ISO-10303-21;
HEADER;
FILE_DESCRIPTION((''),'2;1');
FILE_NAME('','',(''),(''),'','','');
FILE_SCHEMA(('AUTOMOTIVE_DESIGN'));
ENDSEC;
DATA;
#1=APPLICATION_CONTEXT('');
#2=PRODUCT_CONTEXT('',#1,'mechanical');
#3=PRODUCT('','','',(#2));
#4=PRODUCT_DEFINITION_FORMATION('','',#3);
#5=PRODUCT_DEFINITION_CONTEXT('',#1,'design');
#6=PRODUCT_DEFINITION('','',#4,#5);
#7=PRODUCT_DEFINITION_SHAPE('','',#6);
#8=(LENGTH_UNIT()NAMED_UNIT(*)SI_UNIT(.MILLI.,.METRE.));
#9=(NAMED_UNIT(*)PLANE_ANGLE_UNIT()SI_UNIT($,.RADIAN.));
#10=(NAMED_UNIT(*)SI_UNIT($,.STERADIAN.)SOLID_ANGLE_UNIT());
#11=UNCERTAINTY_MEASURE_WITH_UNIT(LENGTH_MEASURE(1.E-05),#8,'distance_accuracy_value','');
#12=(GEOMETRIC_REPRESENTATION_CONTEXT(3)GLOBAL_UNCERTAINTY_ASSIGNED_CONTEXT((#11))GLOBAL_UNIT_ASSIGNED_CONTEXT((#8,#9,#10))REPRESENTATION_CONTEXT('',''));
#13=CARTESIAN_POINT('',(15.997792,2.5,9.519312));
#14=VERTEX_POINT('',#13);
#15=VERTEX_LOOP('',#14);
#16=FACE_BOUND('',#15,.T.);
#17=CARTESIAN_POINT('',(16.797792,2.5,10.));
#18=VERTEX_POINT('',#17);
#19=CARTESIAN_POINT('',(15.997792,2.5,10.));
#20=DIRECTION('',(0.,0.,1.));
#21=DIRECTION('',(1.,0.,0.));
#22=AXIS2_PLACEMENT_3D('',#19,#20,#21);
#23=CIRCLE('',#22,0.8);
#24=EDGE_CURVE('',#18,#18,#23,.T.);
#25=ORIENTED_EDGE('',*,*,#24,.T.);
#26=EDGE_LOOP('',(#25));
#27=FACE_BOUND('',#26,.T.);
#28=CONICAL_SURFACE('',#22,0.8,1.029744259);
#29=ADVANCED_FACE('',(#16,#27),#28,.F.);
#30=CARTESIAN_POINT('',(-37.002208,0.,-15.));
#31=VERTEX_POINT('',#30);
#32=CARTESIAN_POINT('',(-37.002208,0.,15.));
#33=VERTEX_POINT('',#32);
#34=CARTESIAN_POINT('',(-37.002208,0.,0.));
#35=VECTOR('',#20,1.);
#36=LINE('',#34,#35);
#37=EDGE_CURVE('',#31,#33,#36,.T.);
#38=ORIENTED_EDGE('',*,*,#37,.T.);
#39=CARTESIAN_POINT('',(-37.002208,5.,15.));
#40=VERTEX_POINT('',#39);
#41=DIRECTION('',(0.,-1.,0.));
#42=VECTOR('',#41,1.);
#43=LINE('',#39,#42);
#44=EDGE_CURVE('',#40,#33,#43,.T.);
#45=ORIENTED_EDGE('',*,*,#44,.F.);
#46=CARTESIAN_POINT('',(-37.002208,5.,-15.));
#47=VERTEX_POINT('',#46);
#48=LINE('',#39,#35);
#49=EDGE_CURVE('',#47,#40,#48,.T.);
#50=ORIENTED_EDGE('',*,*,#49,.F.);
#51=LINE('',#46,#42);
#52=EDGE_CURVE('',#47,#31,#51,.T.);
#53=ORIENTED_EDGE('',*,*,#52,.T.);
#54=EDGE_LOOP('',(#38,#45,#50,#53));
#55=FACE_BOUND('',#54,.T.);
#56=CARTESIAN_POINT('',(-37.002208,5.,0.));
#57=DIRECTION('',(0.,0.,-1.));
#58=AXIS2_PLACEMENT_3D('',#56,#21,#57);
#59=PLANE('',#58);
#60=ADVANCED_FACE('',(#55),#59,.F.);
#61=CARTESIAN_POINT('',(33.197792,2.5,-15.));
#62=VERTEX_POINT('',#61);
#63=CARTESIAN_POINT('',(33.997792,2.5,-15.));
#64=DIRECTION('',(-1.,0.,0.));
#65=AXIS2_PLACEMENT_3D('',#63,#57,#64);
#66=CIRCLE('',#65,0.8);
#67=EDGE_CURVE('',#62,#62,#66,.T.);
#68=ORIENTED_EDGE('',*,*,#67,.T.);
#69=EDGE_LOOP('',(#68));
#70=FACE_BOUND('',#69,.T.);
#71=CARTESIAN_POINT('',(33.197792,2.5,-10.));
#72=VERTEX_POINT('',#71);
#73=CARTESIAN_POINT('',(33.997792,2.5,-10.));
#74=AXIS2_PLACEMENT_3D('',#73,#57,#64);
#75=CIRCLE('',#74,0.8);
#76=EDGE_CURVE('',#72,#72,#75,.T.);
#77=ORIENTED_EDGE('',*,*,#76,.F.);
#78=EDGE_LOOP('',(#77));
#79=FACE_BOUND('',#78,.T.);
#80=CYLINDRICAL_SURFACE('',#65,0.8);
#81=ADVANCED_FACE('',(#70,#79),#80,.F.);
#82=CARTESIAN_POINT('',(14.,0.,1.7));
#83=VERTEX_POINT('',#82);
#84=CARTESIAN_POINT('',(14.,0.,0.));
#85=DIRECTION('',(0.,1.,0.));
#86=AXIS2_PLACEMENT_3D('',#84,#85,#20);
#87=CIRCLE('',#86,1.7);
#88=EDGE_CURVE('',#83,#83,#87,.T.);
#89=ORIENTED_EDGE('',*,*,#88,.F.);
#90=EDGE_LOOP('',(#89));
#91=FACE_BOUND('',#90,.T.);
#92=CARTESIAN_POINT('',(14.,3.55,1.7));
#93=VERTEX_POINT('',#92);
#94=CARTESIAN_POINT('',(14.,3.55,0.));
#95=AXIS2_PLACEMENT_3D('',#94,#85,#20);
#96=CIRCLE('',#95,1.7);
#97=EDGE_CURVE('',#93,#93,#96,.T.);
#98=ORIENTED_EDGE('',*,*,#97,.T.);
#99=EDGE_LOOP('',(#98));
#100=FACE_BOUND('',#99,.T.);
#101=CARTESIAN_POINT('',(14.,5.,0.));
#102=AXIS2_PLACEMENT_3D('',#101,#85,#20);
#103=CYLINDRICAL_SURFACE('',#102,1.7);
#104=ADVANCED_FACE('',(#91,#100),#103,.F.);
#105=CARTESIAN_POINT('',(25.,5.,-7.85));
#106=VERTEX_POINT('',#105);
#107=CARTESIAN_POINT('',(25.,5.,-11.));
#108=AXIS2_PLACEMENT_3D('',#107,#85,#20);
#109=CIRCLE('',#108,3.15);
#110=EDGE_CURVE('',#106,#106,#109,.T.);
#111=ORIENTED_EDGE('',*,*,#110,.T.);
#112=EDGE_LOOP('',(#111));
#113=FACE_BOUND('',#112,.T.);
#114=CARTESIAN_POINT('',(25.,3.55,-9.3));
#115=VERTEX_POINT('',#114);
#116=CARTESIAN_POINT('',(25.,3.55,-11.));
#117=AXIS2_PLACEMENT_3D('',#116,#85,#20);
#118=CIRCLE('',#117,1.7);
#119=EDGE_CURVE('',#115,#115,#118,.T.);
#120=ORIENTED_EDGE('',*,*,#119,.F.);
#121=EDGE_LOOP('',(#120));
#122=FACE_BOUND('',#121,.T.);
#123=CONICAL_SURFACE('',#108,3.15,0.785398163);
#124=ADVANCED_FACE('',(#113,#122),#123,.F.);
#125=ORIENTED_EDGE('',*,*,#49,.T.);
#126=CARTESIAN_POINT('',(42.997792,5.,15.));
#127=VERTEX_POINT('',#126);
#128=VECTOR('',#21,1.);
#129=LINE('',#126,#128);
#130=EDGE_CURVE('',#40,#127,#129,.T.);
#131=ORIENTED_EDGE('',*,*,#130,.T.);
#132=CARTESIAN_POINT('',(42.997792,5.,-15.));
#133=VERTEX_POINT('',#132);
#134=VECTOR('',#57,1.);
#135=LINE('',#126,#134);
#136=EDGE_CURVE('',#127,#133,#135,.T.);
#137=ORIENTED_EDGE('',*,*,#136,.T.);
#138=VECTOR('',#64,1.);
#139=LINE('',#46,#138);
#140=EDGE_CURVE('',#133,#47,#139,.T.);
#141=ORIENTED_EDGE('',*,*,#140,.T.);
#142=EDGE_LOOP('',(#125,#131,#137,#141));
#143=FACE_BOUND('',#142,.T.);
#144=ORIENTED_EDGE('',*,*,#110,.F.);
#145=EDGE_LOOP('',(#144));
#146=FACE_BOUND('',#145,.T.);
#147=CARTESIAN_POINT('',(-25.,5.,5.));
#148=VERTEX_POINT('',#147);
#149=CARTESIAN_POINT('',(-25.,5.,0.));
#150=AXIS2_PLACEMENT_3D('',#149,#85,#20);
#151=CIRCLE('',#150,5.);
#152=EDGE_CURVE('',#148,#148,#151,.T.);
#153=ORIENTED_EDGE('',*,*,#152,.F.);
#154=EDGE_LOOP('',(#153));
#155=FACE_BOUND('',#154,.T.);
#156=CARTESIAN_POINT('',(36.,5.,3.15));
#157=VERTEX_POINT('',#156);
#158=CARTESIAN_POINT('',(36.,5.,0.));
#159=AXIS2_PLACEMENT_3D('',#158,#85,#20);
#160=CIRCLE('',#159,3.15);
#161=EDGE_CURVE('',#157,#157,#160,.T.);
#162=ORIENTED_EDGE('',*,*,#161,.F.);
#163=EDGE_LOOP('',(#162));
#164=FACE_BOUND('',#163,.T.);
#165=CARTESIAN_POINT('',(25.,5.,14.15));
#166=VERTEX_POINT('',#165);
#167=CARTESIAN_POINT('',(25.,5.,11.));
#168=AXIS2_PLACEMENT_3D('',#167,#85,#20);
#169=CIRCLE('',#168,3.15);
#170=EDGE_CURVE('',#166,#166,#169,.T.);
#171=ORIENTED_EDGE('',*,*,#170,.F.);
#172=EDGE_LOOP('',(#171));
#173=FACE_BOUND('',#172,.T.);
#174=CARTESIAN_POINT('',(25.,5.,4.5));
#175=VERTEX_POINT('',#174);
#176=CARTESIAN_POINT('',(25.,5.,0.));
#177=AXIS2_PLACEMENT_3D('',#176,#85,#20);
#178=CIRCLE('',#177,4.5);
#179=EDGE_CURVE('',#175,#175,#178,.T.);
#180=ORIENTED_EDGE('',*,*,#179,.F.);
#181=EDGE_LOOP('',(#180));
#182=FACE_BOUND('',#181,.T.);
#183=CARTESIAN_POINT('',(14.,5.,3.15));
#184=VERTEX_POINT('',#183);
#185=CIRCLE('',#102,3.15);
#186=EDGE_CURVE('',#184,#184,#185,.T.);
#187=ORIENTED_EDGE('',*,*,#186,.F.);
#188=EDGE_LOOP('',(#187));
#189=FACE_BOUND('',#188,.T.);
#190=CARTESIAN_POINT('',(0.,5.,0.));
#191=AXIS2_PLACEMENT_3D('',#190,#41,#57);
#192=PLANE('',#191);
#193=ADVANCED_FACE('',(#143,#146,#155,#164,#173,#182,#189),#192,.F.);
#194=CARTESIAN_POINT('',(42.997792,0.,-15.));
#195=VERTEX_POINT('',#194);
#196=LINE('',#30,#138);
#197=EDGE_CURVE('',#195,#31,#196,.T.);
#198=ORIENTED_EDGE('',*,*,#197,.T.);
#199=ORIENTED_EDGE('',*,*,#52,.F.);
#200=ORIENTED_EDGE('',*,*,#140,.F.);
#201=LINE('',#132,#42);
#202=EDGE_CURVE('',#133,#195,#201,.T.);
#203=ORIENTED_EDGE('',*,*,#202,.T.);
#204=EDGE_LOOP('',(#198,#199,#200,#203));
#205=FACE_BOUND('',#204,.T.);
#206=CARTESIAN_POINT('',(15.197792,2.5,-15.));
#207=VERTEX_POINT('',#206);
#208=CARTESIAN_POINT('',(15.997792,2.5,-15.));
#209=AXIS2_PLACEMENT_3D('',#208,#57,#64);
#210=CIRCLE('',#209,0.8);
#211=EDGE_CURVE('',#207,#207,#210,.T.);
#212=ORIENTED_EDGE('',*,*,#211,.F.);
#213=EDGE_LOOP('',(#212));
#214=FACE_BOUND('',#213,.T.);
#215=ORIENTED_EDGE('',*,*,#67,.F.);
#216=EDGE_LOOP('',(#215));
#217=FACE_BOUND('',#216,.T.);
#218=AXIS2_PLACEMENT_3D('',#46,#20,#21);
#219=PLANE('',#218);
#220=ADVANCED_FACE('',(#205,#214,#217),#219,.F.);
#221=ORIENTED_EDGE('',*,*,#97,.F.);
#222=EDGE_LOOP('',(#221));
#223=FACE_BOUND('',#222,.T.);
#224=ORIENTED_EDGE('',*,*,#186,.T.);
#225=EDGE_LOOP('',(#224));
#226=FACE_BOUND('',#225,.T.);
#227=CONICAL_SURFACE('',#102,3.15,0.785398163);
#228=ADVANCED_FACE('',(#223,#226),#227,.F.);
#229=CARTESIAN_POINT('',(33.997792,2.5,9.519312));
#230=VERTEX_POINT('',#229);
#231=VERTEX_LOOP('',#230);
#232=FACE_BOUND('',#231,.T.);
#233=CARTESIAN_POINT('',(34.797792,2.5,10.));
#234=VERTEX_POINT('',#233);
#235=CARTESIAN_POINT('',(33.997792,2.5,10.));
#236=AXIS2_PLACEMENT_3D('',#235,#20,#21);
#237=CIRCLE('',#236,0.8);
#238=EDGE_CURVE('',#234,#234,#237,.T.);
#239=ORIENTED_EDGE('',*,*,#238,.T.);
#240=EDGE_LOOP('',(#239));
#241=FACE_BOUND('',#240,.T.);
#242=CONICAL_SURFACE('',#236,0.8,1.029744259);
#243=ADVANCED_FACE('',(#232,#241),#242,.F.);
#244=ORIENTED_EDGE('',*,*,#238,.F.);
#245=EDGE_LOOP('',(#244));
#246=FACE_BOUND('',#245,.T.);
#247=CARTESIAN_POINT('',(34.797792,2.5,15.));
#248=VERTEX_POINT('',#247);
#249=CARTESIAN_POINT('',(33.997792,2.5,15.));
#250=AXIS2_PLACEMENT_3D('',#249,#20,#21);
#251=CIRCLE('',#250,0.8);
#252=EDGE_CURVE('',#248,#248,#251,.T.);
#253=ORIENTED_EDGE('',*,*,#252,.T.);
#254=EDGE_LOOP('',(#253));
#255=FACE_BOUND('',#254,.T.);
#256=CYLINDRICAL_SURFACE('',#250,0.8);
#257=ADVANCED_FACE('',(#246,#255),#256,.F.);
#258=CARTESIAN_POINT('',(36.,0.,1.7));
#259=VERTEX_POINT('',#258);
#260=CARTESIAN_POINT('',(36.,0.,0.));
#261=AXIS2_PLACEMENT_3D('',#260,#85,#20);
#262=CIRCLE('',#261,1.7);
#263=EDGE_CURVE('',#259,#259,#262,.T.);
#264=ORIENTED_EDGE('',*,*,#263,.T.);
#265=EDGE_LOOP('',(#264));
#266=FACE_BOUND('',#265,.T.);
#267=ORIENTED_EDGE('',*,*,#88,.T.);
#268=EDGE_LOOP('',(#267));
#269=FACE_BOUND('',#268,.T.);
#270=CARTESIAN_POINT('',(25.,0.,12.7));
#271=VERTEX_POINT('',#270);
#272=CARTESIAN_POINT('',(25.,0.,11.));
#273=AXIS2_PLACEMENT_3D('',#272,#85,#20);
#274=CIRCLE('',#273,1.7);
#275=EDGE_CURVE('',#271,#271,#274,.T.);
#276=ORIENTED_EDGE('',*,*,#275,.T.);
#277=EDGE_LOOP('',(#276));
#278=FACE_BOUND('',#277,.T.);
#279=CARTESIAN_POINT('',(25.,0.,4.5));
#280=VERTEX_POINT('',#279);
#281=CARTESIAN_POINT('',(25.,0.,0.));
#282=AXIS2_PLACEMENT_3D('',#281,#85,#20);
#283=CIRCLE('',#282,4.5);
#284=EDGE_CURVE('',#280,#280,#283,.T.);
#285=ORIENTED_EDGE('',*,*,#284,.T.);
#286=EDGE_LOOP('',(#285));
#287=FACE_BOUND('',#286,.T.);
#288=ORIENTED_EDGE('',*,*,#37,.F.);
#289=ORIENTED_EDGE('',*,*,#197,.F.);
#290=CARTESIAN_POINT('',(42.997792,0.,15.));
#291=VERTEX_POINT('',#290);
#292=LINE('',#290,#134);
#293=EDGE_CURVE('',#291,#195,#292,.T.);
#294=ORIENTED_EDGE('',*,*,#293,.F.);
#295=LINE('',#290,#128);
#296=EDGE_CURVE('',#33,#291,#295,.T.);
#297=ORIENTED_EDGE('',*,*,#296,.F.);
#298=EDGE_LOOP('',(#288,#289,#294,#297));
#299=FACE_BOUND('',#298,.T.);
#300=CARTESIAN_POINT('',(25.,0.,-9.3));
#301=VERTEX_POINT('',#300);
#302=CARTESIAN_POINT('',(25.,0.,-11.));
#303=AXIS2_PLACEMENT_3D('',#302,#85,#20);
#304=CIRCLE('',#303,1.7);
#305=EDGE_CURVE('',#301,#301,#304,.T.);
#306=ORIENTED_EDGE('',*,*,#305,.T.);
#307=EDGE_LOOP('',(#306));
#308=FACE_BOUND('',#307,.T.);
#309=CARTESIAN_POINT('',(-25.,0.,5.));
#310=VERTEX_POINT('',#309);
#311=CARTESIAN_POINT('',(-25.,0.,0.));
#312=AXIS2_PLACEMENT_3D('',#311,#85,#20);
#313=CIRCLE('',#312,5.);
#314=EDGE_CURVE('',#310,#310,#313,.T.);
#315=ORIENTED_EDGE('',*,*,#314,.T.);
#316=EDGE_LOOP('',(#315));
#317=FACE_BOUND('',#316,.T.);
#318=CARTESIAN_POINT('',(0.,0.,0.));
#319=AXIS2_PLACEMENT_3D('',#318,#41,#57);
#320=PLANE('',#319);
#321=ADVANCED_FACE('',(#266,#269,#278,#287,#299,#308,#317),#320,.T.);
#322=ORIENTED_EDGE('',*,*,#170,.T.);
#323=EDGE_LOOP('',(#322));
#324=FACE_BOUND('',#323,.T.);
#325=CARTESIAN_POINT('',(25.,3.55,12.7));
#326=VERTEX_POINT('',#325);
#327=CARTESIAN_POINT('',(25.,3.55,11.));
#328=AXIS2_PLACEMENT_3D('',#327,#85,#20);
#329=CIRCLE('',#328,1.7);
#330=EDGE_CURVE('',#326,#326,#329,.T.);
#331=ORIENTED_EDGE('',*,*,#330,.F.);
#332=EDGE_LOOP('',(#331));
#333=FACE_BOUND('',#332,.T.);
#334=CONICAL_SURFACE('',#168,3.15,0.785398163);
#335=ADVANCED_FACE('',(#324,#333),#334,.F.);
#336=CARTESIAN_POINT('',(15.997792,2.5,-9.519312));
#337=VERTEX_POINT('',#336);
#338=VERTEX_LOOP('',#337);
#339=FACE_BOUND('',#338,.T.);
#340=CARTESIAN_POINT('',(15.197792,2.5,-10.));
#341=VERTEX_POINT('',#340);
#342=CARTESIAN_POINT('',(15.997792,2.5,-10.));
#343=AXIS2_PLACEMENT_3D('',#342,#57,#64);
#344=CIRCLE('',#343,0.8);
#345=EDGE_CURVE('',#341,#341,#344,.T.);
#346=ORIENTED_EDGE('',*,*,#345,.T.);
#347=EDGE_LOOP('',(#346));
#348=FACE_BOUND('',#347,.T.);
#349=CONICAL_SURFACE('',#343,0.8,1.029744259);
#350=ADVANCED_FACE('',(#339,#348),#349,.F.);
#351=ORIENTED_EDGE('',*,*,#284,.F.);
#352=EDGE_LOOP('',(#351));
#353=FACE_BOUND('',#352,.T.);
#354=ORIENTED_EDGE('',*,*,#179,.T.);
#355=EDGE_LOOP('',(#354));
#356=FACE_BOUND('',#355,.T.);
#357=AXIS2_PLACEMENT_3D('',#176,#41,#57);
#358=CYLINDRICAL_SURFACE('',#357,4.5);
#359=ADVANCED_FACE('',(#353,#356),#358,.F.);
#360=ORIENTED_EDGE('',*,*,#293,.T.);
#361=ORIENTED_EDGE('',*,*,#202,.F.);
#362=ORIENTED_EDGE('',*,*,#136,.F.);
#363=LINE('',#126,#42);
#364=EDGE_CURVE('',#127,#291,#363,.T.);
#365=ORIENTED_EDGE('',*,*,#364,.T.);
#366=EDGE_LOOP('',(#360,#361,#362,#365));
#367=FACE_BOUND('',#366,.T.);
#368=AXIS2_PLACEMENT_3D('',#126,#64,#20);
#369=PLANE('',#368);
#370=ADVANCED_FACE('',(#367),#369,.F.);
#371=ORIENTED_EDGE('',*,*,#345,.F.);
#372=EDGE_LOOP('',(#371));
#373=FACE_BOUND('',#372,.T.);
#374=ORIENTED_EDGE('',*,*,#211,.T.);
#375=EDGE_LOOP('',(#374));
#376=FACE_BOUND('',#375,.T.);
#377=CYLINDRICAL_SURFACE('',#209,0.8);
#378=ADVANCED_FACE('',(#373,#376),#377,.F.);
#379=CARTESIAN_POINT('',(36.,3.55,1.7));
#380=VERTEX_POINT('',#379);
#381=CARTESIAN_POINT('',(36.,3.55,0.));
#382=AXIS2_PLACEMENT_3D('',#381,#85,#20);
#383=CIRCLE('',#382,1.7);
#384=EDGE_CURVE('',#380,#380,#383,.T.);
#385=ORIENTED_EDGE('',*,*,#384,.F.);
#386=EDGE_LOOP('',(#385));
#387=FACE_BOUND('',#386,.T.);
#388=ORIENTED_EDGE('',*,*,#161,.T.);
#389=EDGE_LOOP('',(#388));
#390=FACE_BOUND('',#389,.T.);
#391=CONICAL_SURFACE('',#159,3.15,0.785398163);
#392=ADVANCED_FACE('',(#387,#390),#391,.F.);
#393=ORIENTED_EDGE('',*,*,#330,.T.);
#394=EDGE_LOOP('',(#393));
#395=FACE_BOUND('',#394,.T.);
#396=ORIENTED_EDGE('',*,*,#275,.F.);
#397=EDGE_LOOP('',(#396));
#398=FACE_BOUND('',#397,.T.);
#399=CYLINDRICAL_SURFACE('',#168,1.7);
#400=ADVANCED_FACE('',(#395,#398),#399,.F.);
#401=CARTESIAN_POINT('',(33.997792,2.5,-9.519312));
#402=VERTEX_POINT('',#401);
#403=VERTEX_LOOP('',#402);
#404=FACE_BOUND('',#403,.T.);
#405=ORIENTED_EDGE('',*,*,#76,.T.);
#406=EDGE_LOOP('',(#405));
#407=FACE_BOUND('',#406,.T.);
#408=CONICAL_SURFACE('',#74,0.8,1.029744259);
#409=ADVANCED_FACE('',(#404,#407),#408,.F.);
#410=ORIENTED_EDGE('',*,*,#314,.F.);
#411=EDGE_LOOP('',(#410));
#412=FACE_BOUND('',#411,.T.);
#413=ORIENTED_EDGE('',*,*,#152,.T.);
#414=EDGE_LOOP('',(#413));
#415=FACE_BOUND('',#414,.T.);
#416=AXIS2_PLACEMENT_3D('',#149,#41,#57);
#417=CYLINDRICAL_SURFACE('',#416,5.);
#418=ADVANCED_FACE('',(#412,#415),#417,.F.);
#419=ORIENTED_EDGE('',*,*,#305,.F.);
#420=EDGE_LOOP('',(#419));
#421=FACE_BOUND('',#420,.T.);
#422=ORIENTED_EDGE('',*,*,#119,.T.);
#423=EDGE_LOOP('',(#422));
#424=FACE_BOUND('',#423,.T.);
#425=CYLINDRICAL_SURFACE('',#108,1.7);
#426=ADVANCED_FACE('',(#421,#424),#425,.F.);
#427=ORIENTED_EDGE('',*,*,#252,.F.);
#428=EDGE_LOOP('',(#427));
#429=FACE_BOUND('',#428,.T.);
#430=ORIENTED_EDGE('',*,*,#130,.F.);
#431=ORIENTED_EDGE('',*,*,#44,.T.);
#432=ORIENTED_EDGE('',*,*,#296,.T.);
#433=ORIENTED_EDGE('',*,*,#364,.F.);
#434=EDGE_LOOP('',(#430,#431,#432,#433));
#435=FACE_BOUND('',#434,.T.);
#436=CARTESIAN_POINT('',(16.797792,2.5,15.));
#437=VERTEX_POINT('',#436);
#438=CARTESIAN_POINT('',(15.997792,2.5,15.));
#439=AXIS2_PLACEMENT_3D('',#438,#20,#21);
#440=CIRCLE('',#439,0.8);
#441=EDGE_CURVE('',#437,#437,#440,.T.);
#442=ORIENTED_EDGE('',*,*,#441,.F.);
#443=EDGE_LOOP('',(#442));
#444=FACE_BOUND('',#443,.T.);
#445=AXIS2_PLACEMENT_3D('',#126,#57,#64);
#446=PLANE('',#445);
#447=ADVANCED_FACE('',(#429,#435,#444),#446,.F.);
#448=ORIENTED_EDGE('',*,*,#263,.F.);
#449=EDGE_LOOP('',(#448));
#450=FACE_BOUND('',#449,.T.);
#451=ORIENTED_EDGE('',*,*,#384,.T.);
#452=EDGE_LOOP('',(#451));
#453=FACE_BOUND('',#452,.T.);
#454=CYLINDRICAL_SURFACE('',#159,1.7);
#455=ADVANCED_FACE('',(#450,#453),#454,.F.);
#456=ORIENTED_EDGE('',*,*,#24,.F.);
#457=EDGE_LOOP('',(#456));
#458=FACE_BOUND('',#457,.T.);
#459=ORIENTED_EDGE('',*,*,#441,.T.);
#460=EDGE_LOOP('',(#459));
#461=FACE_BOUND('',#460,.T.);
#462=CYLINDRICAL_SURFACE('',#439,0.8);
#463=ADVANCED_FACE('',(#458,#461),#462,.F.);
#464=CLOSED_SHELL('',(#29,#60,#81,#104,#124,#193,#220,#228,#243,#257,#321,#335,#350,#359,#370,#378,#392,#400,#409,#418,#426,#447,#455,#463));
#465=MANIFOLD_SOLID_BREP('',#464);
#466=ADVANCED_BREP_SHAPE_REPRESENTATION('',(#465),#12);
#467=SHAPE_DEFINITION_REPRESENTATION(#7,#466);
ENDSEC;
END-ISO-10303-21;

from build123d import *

# Parameters (mm, degrees)
SKETCH1_R                                           = 5
SKETCH1_R_2                                         = 4.5
BOSS_EXTRUDE2_DEPTH                                 = 5
CSK_FOR_M3_COUNTERSUNK_FLAT_HEAD_SCREW2_D           = 3.4
CSK_FOR_M3_COUNTERSUNK_FLAT_HEAD_SCREW2_CSINK_D     = 6.3
CSK_FOR_M3_COUNTERSUNK_FLAT_HEAD_SCREW2_CSINK_ANGLE = 90
CIRPATTERN2_COUNT                                   = 4
M2_TAPPED_HOLE1_D                                   = 1.6
M2_TAPPED_HOLE1_DEPTH                               = 5
M2_TAPPED_HOLE1_TIP                                 = 0.480688495
M2_TAPPED_HOLE2_D                                   = 1.6
M2_TAPPED_HOLE2_DEPTH                               = 5
M2_TAPPED_HOLE2_TIP                                 = 0.480688495


with BuildPart() as part:
    # Sketch1 → Boss-Extrude2 (new body)
    with BuildSketch(Plane(origin=(0, 0, 0), x_dir=(1, 0, 0), z_dir=(0, 1, 0))):
        Polygon((-37.002207947, 0), (-37.002207947, 15), (42.997792053, 15), (42.997792053, -15), (-37.002207947, -15), align=None)
        with Locations((-25, 0)):
            Circle(SKETCH1_R, mode=Mode.SUBTRACT)
        with Locations((25, 0)):
            Circle(SKETCH1_R_2, mode=Mode.SUBTRACT)
    extrude(amount=BOSS_EXTRUDE2_DEPTH)

    # CSK for M3 Countersunk Flat Head Screw2 (through all)
    with Locations(Plane(origin=(0, 5, 0), x_dir=(1, 0, 0), z_dir=(0, 1, 0))):
        with Locations((14, 0)):
            csk_for_m3_countersunk_flat_head_screw2 = CounterSinkHole(CSK_FOR_M3_COUNTERSUNK_FLAT_HEAD_SCREW2_D / 2, CSK_FOR_M3_COUNTERSUNK_FLAT_HEAD_SCREW2_CSINK_D / 2, counter_sink_angle=CSK_FOR_M3_COUNTERSUNK_FLAT_HEAD_SCREW2_CSINK_ANGLE)

    # CirPattern2: CSK for M3 Countersunk Flat Head Screw2 ×4 about axis
    cirpattern2_axis = Axis((25, 23.075275429, 0), (0, -1, 0))
    for i in range(1, CIRPATTERN2_COUNT):
        add(csk_for_m3_countersunk_flat_head_screw2.rotate(cirpattern2_axis, i * 360 / CIRPATTERN2_COUNT), mode=Mode.SUBTRACT)

    # M2 Tapped Hole1
    with Locations(Plane.XY.offset(15)):
        with Locations((15.997792053, 2.5), (33.997792053, 2.5)):
            Hole(M2_TAPPED_HOLE1_D / 2, depth=M2_TAPPED_HOLE1_DEPTH)
            with Locations((0, 0, -(M2_TAPPED_HOLE1_DEPTH + M2_TAPPED_HOLE1_TIP / 2))):  # 118° drill point
                Cone(0, M2_TAPPED_HOLE1_D / 2, M2_TAPPED_HOLE1_TIP, mode=Mode.SUBTRACT)

    # M2 Tapped Hole2
    with Locations(Plane(origin=(0, 0, -15), x_dir=(-1, 0, 0), z_dir=(0, 0, -1))):
        with Locations((-33.997792053, 2.5), (-15.997792053, 2.5)):
            Hole(M2_TAPPED_HOLE2_D / 2, depth=M2_TAPPED_HOLE2_DEPTH)
            with Locations((0, 0, -(M2_TAPPED_HOLE2_DEPTH + M2_TAPPED_HOLE2_TIP / 2))):  # 118° drill point
                Cone(0, M2_TAPPED_HOLE2_D / 2, M2_TAPPED_HOLE2_TIP, mode=Mode.SUBTRACT)


solid = part.part
